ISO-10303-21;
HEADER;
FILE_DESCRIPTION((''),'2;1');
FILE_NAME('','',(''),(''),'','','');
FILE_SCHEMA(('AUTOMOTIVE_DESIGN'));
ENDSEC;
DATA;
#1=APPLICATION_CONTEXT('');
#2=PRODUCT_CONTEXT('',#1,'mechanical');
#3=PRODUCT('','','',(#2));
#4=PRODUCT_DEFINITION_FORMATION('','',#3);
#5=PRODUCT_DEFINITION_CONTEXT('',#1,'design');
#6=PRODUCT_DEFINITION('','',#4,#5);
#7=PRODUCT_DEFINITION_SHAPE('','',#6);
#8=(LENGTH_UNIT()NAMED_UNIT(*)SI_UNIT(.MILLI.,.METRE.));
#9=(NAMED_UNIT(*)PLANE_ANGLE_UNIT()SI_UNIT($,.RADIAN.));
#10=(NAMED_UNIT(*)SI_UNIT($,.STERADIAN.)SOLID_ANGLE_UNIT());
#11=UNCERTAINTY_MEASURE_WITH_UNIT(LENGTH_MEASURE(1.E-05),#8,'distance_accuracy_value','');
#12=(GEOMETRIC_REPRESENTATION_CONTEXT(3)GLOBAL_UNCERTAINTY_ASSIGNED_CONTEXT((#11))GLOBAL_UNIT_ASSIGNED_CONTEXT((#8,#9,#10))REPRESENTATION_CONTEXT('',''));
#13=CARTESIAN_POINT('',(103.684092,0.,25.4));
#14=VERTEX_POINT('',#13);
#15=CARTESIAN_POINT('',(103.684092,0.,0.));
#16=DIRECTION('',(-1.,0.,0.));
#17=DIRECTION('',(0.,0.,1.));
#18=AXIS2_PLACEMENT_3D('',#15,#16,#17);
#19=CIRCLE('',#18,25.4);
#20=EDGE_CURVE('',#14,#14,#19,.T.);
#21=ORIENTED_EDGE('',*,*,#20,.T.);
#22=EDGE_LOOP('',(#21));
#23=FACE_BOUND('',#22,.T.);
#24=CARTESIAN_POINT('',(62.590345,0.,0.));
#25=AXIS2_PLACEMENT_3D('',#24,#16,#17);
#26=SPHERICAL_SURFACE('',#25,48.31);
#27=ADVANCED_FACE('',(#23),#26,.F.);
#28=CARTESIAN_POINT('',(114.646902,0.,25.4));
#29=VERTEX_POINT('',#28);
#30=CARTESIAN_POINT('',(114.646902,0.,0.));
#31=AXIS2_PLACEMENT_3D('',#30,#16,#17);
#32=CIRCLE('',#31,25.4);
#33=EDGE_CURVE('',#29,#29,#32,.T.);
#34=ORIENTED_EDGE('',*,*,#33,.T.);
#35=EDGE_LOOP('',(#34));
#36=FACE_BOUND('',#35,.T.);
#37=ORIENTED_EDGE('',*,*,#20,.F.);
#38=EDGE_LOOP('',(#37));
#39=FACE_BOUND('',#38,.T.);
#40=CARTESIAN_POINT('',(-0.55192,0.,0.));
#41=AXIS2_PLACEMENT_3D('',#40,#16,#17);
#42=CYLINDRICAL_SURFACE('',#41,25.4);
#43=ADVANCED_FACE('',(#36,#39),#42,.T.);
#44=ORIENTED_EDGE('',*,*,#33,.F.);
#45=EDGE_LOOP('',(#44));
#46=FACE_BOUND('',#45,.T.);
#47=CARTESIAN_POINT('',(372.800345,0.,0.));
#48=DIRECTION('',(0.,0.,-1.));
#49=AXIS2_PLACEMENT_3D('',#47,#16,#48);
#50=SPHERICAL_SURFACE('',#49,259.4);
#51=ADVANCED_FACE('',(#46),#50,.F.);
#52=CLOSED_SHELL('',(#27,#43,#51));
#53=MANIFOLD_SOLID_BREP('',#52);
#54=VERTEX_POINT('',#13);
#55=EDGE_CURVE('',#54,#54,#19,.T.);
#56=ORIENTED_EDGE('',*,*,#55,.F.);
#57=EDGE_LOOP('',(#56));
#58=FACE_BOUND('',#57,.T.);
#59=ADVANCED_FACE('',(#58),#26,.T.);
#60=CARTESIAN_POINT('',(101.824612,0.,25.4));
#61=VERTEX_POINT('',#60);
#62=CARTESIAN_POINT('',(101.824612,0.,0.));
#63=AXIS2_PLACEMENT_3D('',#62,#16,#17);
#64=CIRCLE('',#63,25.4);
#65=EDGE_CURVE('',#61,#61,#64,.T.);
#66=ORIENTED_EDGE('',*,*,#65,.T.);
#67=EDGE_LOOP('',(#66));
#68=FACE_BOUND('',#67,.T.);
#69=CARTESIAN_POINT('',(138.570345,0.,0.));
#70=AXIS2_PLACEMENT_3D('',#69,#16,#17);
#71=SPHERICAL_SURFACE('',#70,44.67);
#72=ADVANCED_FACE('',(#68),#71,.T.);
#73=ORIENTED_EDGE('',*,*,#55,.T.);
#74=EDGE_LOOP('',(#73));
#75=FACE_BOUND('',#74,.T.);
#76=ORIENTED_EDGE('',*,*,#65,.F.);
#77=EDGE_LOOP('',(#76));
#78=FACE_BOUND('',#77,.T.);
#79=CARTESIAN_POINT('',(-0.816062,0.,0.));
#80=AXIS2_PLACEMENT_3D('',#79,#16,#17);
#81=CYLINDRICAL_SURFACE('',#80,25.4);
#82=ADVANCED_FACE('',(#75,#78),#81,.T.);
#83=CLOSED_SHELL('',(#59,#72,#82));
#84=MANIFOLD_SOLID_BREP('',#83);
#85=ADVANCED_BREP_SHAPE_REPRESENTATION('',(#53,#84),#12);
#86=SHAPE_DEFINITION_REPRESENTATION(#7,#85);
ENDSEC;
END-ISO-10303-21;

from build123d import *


with BuildPart() as part:
    # 草图1 one side → 旋转1 (revolve)
    with BuildSketch(Plane(origin=(0, 0, 0), x_dir=(1, 0, 0), z_dir=(0, 1, 0)), mode=Mode.PRIVATE) as revolve_1_sk:
        with BuildLine():
            ThreePointArc((101.824611547, 25.4), (95.927403852, 13.30370255), (93.900344633, 0))
            Line((93.900344633, 0), (110.900344633, 0))
            ThreePointArc((110.900344633, 0), (109.061276684, 13.202597256), (103.684092333, 25.4))
            Line((103.684092333, 25.4), (101.824611547, 25.4))
        make_face()
    revolve(revolve_1_sk.sketch.rotate(Axis((-0.816062176, 0, 0), (1, 0, 0)), 180), axis=Axis((-0.816062176, 0, 0), (1, 0, 0)))  # turned: the seam where the file's is


with BuildPart() as body_2:
    # 草图2 one side → 旋转2 (revolve)
    with BuildSketch(Plane(origin=(0, 0, 0), x_dir=(1, 0, 0), z_dir=(0, 1, 0)), mode=Mode.PRIVATE) as revolve_2_sk:
        with BuildLine():
            Line((114.64690189, 25.4), (103.684092333, 25.4))
            ThreePointArc((103.684092333, 25.4), (109.061276684, 13.202597256), (110.900344633, 0))
            Line((110.900344633, 0), (113.400344633, 0))
            ThreePointArc((113.400344633, 0), (113.712171372, 12.715285142), (114.64690189, 25.4))
        make_face()
    revolve(revolve_2_sk.sketch.rotate(Axis((-0.551919993, 0, 0), (1, 0, 0)), 180), axis=Axis((-0.551919993, 0, 0), (1, 0, 0)))  # turned: the seam where the file's is


solid = Compound([part.part, body_2.part])
